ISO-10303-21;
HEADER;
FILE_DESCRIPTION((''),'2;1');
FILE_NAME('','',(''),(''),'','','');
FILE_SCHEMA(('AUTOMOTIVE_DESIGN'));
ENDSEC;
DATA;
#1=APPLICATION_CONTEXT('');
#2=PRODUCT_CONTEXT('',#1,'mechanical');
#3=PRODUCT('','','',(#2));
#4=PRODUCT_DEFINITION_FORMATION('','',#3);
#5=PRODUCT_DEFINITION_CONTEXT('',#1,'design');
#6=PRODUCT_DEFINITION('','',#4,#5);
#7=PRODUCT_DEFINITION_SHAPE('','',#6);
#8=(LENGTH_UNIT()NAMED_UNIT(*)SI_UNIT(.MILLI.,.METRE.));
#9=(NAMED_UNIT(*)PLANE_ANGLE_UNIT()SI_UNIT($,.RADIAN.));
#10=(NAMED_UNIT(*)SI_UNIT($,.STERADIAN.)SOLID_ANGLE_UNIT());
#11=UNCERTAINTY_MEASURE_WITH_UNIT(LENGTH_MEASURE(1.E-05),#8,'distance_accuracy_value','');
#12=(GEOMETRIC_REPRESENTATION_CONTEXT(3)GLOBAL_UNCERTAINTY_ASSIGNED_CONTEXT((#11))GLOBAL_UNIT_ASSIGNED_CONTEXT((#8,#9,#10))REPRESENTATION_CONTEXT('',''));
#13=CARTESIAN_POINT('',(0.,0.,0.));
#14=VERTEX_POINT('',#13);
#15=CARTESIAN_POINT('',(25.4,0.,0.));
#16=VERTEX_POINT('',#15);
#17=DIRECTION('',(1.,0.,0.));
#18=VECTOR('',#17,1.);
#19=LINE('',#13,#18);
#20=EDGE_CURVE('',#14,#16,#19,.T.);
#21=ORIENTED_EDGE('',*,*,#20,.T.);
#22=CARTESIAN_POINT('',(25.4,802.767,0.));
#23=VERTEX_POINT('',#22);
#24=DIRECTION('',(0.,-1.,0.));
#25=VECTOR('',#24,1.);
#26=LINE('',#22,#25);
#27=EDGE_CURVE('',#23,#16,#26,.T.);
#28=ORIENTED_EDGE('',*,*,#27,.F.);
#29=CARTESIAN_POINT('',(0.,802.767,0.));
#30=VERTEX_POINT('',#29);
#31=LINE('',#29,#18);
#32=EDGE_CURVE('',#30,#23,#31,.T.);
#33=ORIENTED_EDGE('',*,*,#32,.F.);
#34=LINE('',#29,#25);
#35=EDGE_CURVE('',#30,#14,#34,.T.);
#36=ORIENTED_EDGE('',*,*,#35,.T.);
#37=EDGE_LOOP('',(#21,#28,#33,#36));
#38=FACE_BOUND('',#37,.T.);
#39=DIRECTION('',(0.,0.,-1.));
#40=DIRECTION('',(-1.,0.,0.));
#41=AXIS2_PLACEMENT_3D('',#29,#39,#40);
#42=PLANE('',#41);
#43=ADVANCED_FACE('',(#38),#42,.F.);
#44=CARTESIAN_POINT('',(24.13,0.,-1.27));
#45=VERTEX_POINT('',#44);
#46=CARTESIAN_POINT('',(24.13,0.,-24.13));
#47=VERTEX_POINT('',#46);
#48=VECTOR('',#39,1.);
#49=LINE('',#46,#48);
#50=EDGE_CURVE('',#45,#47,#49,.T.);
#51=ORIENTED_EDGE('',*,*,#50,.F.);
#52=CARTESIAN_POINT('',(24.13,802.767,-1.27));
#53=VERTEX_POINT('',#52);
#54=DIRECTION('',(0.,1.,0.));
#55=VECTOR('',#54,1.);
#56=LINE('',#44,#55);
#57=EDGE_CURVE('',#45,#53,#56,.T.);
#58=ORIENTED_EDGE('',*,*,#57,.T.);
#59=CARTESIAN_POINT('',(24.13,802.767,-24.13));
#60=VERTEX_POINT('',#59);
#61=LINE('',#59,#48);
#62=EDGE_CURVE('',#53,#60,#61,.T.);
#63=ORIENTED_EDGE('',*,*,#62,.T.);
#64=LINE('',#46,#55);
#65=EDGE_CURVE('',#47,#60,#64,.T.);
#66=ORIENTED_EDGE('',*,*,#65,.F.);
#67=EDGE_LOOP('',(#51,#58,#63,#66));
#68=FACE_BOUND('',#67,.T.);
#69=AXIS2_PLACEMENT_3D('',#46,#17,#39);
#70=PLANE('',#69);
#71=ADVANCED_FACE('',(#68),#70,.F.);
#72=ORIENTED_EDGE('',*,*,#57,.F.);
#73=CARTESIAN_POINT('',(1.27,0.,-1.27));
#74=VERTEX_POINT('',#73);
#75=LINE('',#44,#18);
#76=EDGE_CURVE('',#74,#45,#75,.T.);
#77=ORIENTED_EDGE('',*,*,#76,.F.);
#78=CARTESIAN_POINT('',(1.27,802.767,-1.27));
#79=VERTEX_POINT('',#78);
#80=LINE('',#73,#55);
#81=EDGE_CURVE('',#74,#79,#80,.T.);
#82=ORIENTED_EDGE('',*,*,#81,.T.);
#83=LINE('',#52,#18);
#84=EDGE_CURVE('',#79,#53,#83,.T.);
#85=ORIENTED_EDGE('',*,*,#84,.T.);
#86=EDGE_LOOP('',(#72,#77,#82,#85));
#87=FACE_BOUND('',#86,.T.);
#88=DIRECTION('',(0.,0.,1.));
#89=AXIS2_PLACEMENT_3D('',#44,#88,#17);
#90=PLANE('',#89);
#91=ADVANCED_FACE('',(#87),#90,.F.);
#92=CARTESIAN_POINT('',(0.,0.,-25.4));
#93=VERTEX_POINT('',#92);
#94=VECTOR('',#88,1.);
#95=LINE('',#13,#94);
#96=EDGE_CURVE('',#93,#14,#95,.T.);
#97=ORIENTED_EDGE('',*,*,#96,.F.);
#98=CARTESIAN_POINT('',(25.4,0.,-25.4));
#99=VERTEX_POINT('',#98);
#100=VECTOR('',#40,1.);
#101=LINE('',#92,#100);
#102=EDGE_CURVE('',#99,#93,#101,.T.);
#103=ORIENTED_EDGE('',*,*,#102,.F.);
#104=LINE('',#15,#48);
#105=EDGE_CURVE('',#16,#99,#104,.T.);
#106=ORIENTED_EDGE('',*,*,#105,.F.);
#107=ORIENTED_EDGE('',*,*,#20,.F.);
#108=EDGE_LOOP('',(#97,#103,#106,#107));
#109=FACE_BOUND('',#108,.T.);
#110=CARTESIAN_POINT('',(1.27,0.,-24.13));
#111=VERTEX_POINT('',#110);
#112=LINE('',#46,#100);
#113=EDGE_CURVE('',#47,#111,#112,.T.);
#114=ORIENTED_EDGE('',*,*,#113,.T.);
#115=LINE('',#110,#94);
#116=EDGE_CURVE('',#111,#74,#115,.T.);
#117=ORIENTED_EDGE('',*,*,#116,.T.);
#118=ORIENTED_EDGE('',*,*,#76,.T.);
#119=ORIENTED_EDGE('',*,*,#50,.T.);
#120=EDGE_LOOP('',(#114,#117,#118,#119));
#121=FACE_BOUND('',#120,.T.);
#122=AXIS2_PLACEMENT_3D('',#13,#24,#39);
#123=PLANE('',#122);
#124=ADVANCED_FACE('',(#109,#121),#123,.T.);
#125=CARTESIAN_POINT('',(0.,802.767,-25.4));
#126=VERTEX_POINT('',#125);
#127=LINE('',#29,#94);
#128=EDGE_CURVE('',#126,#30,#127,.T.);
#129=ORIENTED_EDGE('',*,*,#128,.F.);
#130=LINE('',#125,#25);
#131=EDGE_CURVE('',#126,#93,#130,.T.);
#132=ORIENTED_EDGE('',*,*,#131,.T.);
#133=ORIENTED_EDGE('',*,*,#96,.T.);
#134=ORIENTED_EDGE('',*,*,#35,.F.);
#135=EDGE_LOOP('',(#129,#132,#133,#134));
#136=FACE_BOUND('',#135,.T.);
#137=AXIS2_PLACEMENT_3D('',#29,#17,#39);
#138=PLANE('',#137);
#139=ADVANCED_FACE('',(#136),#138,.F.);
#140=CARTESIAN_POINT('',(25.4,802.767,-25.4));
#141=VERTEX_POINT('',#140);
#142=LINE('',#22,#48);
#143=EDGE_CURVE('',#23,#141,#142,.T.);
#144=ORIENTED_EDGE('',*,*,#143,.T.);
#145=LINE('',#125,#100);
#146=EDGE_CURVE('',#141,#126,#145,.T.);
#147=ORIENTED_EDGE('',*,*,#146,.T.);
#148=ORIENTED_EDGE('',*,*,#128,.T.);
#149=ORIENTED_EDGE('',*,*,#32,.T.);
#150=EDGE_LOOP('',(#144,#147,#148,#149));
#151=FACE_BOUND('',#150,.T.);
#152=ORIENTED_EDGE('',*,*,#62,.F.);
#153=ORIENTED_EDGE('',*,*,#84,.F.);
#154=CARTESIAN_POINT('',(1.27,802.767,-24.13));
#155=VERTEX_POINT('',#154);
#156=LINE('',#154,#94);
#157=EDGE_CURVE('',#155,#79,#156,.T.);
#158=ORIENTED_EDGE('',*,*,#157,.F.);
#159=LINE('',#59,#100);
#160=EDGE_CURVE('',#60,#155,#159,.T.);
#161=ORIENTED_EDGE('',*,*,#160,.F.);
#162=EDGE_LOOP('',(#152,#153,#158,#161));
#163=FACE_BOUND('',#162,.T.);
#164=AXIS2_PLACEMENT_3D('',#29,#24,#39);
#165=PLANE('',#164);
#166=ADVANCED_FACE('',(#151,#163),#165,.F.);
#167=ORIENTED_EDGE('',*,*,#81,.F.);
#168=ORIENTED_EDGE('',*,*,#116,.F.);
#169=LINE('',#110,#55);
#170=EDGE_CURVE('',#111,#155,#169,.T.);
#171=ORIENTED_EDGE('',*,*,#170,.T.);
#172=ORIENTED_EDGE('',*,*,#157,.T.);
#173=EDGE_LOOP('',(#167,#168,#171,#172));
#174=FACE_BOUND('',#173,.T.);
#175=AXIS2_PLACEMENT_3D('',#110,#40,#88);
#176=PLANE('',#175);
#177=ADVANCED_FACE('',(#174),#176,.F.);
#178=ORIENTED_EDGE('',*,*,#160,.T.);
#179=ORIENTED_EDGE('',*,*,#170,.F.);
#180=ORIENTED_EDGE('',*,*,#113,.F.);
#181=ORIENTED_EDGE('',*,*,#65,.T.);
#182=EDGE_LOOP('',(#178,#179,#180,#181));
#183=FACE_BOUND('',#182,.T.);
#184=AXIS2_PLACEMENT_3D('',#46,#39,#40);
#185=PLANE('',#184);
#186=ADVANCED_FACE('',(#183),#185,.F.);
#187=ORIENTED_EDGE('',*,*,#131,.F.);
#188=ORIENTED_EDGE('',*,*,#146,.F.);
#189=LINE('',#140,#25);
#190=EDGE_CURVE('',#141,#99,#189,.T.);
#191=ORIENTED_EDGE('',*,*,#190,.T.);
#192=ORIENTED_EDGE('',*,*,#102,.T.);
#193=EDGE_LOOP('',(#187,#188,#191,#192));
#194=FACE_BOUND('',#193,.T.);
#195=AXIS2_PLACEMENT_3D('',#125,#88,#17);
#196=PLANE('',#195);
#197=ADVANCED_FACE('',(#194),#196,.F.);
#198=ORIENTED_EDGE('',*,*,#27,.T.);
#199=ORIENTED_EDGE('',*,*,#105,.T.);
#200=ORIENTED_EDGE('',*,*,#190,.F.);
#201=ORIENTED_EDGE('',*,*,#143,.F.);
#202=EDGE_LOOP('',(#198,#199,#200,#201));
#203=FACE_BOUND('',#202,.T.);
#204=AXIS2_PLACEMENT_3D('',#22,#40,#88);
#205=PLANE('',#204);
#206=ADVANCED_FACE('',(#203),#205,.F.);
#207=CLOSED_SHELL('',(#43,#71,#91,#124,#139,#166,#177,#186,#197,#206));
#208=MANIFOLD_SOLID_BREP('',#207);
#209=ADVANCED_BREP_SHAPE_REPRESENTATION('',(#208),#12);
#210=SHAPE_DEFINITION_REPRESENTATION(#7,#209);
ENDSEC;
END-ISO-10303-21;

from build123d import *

# Parameters (mm, degrees)
SKETCH1_W           = 25.4
SKETCH1_H           = 25.4
BOSS_EXTRUDE1_DEPTH = 802.767
SKETCH3_W           = 22.86
SKETCH3_H           = 22.86
CUT_EXTRUDE1_DEPTH  = 804.57026842


with BuildPart() as part:
    # Sketch1 → Boss-Extrude1 (new body)
    with BuildSketch(Plane(origin=(0, 0, 0), x_dir=(1, 0, 0), z_dir=(0, 1, 0))):
        with Locations((12.7, 12.7)):
            Rectangle(SKETCH1_W, SKETCH1_H)
    extrude(amount=BOSS_EXTRUDE1_DEPTH)

    # Sketch3 → Cut-Extrude1 (cut, through all)
    with BuildSketch(Plane(origin=(0, 802.767, 0), x_dir=(1, 0, 0), z_dir=(0, 1, 0))):
        with Locations((12.7, 12.7)):
            Rectangle(SKETCH3_W, SKETCH3_H)
    extrude(amount=-CUT_EXTRUDE1_DEPTH, mode=Mode.SUBTRACT)


solid = part.part
